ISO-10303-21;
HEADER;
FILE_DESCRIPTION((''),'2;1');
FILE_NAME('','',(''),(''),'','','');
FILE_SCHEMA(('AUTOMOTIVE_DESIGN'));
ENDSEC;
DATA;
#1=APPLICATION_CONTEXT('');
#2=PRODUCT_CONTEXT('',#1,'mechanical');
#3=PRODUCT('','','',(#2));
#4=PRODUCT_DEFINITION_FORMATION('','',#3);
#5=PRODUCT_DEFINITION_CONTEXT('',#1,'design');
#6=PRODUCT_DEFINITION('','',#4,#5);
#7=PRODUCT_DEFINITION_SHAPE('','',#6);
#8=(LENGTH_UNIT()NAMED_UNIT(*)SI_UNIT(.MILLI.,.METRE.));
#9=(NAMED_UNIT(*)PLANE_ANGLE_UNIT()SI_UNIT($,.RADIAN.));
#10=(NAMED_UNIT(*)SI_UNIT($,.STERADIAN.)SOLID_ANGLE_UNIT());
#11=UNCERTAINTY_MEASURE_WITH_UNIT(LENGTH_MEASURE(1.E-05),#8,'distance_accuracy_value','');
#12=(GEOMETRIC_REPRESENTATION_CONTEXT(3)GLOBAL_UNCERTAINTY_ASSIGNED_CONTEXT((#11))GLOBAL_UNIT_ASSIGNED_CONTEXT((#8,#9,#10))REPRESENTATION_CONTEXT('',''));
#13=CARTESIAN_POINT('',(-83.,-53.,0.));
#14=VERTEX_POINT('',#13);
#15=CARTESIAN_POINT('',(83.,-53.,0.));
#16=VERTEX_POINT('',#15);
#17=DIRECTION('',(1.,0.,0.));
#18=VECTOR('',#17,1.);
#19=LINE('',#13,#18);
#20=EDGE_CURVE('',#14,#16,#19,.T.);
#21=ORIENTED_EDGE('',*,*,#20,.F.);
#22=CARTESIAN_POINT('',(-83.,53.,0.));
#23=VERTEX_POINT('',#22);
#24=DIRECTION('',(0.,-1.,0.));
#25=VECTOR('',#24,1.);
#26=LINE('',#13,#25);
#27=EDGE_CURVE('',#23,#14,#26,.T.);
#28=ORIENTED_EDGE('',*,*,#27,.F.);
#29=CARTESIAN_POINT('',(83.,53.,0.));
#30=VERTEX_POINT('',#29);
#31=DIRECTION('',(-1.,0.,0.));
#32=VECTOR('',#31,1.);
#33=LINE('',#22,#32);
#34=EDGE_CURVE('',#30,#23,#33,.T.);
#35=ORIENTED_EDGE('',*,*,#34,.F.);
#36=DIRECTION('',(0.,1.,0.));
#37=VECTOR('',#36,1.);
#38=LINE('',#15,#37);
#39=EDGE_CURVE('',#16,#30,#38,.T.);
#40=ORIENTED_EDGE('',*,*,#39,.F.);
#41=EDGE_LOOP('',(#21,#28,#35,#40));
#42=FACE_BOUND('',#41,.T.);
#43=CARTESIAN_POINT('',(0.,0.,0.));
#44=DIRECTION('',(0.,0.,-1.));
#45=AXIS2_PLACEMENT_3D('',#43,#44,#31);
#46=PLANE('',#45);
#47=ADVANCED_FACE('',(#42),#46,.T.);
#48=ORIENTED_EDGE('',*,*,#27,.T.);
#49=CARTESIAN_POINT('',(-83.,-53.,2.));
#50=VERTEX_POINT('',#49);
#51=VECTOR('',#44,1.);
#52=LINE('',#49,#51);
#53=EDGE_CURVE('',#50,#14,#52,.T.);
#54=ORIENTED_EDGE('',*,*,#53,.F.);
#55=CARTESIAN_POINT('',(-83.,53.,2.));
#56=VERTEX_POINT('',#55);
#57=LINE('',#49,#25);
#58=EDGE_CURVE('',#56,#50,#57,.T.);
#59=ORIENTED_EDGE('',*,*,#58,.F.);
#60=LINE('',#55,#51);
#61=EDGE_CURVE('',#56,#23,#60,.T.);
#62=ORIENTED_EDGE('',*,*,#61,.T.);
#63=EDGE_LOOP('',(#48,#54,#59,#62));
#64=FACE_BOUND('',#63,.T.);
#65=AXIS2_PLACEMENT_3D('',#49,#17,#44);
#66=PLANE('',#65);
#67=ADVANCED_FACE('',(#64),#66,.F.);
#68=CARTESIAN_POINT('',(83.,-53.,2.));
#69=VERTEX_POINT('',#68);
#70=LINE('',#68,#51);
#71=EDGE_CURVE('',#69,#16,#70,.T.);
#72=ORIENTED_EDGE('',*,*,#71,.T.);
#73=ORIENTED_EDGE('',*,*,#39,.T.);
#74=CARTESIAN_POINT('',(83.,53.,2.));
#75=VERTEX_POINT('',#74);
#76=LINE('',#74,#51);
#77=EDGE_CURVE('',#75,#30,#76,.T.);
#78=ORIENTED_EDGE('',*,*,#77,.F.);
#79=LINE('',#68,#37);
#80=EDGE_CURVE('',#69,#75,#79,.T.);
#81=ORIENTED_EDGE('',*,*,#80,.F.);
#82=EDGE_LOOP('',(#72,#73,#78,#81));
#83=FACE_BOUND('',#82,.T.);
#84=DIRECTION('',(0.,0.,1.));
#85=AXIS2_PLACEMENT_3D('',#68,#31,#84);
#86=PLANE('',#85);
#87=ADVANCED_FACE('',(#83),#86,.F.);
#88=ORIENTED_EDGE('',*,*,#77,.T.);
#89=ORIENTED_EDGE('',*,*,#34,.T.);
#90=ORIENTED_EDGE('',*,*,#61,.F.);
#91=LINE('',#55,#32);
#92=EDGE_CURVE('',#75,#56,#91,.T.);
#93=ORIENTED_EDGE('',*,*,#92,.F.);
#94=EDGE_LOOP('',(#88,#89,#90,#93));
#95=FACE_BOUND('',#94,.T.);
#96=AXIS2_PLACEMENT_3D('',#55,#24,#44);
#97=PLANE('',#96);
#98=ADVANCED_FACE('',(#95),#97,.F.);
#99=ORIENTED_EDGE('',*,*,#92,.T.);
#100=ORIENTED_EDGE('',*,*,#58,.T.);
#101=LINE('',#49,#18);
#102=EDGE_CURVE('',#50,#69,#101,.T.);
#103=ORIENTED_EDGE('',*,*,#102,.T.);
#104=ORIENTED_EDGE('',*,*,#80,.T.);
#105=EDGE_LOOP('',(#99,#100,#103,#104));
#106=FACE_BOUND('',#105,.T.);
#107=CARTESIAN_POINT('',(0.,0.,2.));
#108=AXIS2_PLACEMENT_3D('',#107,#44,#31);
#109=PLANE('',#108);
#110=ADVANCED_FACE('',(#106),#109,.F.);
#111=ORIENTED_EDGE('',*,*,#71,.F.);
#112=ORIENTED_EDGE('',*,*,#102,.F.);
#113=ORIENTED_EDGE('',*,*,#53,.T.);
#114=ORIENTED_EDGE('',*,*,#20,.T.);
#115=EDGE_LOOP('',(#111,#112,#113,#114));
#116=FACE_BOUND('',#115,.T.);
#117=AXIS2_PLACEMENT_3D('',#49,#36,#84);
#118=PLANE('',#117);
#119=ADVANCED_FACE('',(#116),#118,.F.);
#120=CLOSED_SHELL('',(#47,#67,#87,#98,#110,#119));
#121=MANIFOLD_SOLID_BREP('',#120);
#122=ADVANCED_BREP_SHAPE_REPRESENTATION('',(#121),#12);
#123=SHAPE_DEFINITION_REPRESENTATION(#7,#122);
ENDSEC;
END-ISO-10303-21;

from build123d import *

# Parameters (mm, degrees)
SKETCH1_W          = 166
SKETCH1_H          = 106
DIFFUSEPLATE_DEPTH = 2


with BuildPart() as part:
    # Sketch1 → DiffusePlate (new body)
    with BuildSketch(Plane.XY):
        Rectangle(SKETCH1_W, SKETCH1_H)
    extrude(amount=DIFFUSEPLATE_DEPTH)


solid = part.part
